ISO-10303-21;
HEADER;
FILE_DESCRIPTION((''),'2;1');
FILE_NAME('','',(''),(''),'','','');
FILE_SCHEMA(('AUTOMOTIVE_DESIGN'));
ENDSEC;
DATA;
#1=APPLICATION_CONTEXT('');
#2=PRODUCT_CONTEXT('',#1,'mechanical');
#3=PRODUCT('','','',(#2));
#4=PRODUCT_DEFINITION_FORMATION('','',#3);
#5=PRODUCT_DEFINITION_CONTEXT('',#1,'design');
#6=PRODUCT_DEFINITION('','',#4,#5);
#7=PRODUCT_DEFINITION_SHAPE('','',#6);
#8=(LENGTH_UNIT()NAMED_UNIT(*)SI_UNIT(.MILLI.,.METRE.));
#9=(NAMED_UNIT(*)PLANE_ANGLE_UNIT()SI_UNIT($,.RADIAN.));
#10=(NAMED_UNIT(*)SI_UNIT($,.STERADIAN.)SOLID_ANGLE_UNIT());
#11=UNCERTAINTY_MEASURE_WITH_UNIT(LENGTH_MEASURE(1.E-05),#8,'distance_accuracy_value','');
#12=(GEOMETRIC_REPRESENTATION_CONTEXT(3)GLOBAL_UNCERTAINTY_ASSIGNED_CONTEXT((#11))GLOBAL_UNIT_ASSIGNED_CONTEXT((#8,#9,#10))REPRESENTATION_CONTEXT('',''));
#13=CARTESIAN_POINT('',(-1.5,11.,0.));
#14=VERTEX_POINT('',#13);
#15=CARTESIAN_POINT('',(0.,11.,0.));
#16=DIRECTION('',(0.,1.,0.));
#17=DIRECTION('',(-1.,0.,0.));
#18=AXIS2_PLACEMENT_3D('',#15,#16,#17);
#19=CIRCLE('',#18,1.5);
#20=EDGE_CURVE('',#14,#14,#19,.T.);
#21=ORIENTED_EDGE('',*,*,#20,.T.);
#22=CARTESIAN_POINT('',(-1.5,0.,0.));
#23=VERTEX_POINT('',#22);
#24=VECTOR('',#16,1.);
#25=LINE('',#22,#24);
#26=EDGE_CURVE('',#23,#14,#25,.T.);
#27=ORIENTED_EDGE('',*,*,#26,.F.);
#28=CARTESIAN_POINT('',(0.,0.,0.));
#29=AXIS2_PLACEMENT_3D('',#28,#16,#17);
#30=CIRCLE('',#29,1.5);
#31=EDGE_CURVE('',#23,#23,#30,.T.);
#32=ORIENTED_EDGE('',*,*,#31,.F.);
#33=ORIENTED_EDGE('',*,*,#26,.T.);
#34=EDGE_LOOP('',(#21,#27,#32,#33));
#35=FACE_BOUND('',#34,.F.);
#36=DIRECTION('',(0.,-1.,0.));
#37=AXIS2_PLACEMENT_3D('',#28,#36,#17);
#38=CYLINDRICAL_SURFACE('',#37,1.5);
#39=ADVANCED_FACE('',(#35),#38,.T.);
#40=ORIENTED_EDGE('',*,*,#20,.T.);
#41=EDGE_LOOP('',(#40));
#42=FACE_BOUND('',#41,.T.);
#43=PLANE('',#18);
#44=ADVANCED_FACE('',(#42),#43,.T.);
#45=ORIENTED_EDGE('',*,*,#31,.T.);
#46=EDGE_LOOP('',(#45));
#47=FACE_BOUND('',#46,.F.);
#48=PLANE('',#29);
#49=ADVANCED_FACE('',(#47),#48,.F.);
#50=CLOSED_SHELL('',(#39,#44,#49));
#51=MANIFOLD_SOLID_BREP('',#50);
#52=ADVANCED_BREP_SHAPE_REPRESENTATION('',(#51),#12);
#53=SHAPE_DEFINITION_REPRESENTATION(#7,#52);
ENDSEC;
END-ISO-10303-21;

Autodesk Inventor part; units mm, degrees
ref_plane "YZ Plane" through (0, 0, 0) normal (1, 0, 0) x (0, 1, 0)
ref_plane "XZ Plane" through (0, 0, 0) normal (0, 1, 0) x (-1, 0, 0)
ref_plane "XY Plane" through (0, 0, 0) normal (0, 0, 1) x (1, 0, 0)
sketch "Sketch1" plane through (0, 0, 0) normal (0, 1, 0) x (-1, 0, 0)
  circle A0 centre (0, 0) radius 1.5
  dimension "d0" = 3
extrude "Extrusion1" add sketch "Sketch1" along normal blind 11
properties part number "Orange"
